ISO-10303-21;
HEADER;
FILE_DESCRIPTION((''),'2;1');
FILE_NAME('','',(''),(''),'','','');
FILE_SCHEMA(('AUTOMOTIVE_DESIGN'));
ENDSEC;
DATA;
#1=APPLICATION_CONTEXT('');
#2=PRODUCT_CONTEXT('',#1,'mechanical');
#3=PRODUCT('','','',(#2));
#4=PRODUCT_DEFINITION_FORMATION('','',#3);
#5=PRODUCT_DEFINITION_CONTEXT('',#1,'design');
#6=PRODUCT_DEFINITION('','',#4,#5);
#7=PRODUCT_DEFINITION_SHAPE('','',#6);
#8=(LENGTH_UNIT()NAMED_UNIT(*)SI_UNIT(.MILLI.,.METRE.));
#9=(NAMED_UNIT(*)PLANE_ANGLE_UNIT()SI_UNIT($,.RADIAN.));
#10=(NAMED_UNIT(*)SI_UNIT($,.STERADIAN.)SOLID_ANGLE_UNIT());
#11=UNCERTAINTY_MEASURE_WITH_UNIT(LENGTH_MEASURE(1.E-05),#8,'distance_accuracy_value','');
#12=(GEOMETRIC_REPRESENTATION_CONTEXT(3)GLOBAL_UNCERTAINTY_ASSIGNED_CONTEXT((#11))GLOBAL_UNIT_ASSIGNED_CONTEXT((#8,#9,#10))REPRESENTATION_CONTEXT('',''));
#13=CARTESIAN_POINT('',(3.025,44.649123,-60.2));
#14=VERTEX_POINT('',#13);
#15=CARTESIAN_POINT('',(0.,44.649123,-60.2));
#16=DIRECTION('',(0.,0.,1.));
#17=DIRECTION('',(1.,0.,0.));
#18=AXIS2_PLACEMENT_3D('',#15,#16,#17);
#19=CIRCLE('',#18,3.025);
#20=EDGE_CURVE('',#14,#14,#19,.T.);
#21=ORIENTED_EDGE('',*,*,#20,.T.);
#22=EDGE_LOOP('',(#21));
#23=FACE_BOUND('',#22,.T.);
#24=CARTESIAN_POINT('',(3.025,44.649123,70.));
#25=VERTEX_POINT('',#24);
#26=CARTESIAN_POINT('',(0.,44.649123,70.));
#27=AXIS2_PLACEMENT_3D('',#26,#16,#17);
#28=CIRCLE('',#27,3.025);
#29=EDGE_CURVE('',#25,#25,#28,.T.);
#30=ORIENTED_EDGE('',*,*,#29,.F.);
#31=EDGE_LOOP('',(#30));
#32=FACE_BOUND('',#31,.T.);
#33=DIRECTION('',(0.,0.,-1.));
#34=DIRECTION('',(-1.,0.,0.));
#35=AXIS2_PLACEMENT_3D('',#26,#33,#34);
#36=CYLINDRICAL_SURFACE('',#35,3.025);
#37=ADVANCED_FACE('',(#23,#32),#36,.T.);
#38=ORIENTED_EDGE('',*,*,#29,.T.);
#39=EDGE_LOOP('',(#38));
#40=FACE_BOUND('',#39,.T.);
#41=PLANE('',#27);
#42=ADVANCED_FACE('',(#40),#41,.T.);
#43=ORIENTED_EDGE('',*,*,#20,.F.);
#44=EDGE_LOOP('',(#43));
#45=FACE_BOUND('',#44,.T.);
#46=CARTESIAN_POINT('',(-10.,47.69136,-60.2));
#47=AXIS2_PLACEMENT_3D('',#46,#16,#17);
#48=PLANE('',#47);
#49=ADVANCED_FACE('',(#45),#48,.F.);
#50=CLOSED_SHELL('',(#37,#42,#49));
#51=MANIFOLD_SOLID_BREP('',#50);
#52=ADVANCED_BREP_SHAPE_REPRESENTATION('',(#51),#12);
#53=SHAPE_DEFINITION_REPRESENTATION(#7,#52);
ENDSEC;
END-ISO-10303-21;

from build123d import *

# Parameters (mm, degrees)
CROQUIS2_R              = 3.025
SALIENTE_EXTRUIR1_DEPTH = 70
CROQUIS4_W              = 31.126188382
CROQUIS4_H              = 7.332915039
CORTAR_EXTRUIR1_DEPTH   = 10


with BuildPart() as part:
    # Croquis2 → Saliente-Extruir1 (new, symmetric)
    with BuildSketch(Plane.XY):
        with Locations((0, 44.649122807)):
            Circle(CROQUIS2_R)
    extrude(amount=SALIENTE_EXTRUIR1_DEPTH, both=True)

    # Croquis4 → Cortar-Extruir1 (cut, symmetric)
    with BuildSketch(Plane(origin=(0, 0, 0), x_dir=(0, 0, -1), z_dir=(1, 0, 0))):
        with Locations((75.763094191, 44.024902431)):
            Rectangle(CROQUIS4_W, CROQUIS4_H)
    extrude(amount=CORTAR_EXTRUIR1_DEPTH, both=True, mode=Mode.SUBTRACT)


solid = part.part
